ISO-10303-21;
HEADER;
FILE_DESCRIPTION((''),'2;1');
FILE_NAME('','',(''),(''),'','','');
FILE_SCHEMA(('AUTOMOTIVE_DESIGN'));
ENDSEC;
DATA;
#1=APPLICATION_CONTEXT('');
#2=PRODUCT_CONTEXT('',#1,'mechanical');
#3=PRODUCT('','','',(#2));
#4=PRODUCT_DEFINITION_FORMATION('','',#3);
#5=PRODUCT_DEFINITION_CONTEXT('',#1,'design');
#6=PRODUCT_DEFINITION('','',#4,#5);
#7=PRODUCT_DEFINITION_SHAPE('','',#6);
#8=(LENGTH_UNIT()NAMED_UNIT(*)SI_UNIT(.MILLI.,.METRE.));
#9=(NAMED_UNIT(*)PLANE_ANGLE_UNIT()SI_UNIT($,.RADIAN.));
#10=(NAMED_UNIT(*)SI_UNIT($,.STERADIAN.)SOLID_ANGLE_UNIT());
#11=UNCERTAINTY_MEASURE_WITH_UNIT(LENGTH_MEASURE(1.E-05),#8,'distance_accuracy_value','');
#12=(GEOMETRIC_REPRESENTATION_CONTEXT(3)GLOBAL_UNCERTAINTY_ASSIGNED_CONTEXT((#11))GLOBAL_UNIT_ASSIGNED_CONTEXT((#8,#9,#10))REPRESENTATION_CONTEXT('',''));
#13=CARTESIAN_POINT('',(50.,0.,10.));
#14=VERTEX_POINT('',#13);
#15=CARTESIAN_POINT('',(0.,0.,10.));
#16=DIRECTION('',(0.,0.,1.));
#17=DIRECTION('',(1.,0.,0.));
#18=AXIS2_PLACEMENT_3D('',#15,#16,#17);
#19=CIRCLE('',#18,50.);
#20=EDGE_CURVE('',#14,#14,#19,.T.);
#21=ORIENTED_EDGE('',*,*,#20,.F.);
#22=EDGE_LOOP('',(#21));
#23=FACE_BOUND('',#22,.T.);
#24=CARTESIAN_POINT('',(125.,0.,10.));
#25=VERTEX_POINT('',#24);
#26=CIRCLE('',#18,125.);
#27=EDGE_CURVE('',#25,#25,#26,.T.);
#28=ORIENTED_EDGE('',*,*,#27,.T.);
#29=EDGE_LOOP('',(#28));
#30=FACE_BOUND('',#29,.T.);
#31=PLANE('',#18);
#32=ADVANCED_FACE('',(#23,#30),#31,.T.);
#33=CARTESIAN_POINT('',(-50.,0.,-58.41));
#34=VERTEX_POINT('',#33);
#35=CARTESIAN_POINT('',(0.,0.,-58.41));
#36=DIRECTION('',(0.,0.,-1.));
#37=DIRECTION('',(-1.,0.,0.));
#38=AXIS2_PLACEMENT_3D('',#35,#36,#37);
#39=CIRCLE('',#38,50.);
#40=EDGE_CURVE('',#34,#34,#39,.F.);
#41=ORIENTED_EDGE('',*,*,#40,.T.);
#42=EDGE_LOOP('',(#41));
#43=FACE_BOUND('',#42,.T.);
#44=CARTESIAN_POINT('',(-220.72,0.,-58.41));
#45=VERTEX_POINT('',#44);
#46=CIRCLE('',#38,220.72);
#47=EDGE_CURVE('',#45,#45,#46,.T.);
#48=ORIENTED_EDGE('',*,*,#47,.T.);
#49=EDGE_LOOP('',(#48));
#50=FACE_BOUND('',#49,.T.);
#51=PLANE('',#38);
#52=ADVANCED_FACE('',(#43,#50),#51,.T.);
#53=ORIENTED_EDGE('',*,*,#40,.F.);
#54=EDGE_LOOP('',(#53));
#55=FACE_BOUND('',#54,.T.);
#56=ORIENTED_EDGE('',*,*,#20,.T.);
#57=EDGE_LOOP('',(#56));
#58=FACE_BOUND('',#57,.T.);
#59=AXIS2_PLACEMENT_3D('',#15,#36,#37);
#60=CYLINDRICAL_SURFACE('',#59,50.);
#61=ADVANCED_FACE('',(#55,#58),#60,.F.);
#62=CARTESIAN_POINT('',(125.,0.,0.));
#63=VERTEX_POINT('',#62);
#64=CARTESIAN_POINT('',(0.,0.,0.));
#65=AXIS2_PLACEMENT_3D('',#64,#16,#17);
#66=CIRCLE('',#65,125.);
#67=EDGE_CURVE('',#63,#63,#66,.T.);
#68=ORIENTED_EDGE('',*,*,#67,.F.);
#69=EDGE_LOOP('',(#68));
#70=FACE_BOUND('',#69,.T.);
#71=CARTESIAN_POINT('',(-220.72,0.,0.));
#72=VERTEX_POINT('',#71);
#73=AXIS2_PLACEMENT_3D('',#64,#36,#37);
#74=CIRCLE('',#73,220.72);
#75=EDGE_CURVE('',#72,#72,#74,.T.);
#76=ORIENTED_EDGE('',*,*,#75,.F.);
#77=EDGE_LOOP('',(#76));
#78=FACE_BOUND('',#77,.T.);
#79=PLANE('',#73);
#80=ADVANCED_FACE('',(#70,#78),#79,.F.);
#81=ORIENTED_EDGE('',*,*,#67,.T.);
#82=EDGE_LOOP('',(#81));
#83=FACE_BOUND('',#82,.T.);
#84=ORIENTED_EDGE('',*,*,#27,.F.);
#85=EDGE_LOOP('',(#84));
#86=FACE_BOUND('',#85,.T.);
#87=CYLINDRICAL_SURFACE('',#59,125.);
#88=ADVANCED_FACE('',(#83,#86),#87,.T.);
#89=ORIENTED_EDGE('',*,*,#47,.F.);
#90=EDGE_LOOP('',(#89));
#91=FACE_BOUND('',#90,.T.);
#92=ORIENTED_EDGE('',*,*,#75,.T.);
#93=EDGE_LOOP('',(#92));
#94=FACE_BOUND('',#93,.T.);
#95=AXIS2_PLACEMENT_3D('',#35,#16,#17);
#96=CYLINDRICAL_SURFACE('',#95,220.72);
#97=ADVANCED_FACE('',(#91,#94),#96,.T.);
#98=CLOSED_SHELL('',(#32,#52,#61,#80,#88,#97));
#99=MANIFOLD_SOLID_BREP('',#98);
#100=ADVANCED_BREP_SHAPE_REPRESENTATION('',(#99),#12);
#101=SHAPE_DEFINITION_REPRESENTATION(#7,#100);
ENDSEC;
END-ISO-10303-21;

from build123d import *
from build123d.topology import SkipClean

# Parameters (mm, degrees)
SKETCH1_R           = 125
SKETCH1_R_2         = 50
BOSS_EXTRUDE1_DEPTH = 10
BOSS_EXTRUDE2_START = 58.41
SKETCH2_R           = 220.72
SKETCH2_R_2         = 50
BOSS_EXTRUDE2_DEPTH = 58.41


with BuildPart() as part:
    # Sketch1 → Boss-Extrude1 (new body)
    with BuildSketch(Plane.XY):
        Circle(SKETCH1_R)
        Circle(SKETCH1_R_2, mode=Mode.SUBTRACT)
    extrude(amount=BOSS_EXTRUDE1_DEPTH)

    # Sketch2 → Boss-Extrude2 (add)
    with SkipClean():  # the faces are left unmerged after this step: merging them gives an invalid solid
        with BuildSketch(Plane(origin=(0, 0, 0), x_dir=(-1, 0, 0), z_dir=(0, 0, -1)).offset(BOSS_EXTRUDE2_START)):
            Circle(SKETCH2_R)
            Circle(SKETCH2_R_2, mode=Mode.SUBTRACT)
        extrude(amount=-BOSS_EXTRUDE2_DEPTH)


solid = part.part
